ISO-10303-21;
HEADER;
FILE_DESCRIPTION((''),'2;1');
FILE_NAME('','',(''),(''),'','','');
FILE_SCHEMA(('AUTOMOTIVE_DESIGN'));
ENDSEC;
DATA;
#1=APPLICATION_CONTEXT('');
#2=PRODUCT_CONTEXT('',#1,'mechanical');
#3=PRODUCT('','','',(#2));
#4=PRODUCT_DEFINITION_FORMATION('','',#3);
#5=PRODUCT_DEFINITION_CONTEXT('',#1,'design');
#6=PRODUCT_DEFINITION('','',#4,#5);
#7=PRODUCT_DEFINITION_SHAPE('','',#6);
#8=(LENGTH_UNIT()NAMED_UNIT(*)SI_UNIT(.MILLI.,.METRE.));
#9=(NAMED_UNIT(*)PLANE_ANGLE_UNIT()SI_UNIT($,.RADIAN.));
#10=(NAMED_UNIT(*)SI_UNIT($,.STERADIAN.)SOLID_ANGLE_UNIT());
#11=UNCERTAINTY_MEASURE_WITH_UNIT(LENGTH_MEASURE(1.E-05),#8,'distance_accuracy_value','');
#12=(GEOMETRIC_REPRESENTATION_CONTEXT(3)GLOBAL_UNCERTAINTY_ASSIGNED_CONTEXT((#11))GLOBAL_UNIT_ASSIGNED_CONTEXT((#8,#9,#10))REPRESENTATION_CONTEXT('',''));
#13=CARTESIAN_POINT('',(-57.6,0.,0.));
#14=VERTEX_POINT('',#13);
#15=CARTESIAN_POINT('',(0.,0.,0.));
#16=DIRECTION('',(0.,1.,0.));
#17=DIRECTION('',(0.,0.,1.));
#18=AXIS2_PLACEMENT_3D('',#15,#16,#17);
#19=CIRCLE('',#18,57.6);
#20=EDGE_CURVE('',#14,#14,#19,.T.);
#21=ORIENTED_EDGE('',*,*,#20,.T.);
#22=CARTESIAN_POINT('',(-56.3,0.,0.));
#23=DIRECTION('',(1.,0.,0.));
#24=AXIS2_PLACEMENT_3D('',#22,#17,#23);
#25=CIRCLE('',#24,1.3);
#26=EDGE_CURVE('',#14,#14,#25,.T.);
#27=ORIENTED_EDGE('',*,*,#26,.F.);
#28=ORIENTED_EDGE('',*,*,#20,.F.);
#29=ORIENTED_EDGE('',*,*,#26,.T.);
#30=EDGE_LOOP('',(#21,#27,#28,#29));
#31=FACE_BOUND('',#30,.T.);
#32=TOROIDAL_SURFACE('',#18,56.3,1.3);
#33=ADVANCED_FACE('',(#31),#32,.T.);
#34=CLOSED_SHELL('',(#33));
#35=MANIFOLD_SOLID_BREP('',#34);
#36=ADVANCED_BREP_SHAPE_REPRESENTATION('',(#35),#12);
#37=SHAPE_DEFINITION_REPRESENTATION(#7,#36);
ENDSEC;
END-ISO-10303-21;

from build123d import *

# Parameters (mm, degrees)
SKETCH2_R = 1.3


with BuildPart() as part:
    # Sweep1: sweep along a path in Sketch1
    with BuildLine(Plane(origin=(0, 0, 0), x_dir=(1, 0, 0), z_dir=(0, 1, 0))) as sweep1_path:
        CenterArc((0, 0), 56.3, 0, 360)
    # Sketch2 → Sweep1 (sweep)
    with BuildSketch(Plane.XY):
        with Locations((-56.3, 0)):
            Circle(SKETCH2_R)
    sweep(path=sweep1_path.line)


solid = part.part
